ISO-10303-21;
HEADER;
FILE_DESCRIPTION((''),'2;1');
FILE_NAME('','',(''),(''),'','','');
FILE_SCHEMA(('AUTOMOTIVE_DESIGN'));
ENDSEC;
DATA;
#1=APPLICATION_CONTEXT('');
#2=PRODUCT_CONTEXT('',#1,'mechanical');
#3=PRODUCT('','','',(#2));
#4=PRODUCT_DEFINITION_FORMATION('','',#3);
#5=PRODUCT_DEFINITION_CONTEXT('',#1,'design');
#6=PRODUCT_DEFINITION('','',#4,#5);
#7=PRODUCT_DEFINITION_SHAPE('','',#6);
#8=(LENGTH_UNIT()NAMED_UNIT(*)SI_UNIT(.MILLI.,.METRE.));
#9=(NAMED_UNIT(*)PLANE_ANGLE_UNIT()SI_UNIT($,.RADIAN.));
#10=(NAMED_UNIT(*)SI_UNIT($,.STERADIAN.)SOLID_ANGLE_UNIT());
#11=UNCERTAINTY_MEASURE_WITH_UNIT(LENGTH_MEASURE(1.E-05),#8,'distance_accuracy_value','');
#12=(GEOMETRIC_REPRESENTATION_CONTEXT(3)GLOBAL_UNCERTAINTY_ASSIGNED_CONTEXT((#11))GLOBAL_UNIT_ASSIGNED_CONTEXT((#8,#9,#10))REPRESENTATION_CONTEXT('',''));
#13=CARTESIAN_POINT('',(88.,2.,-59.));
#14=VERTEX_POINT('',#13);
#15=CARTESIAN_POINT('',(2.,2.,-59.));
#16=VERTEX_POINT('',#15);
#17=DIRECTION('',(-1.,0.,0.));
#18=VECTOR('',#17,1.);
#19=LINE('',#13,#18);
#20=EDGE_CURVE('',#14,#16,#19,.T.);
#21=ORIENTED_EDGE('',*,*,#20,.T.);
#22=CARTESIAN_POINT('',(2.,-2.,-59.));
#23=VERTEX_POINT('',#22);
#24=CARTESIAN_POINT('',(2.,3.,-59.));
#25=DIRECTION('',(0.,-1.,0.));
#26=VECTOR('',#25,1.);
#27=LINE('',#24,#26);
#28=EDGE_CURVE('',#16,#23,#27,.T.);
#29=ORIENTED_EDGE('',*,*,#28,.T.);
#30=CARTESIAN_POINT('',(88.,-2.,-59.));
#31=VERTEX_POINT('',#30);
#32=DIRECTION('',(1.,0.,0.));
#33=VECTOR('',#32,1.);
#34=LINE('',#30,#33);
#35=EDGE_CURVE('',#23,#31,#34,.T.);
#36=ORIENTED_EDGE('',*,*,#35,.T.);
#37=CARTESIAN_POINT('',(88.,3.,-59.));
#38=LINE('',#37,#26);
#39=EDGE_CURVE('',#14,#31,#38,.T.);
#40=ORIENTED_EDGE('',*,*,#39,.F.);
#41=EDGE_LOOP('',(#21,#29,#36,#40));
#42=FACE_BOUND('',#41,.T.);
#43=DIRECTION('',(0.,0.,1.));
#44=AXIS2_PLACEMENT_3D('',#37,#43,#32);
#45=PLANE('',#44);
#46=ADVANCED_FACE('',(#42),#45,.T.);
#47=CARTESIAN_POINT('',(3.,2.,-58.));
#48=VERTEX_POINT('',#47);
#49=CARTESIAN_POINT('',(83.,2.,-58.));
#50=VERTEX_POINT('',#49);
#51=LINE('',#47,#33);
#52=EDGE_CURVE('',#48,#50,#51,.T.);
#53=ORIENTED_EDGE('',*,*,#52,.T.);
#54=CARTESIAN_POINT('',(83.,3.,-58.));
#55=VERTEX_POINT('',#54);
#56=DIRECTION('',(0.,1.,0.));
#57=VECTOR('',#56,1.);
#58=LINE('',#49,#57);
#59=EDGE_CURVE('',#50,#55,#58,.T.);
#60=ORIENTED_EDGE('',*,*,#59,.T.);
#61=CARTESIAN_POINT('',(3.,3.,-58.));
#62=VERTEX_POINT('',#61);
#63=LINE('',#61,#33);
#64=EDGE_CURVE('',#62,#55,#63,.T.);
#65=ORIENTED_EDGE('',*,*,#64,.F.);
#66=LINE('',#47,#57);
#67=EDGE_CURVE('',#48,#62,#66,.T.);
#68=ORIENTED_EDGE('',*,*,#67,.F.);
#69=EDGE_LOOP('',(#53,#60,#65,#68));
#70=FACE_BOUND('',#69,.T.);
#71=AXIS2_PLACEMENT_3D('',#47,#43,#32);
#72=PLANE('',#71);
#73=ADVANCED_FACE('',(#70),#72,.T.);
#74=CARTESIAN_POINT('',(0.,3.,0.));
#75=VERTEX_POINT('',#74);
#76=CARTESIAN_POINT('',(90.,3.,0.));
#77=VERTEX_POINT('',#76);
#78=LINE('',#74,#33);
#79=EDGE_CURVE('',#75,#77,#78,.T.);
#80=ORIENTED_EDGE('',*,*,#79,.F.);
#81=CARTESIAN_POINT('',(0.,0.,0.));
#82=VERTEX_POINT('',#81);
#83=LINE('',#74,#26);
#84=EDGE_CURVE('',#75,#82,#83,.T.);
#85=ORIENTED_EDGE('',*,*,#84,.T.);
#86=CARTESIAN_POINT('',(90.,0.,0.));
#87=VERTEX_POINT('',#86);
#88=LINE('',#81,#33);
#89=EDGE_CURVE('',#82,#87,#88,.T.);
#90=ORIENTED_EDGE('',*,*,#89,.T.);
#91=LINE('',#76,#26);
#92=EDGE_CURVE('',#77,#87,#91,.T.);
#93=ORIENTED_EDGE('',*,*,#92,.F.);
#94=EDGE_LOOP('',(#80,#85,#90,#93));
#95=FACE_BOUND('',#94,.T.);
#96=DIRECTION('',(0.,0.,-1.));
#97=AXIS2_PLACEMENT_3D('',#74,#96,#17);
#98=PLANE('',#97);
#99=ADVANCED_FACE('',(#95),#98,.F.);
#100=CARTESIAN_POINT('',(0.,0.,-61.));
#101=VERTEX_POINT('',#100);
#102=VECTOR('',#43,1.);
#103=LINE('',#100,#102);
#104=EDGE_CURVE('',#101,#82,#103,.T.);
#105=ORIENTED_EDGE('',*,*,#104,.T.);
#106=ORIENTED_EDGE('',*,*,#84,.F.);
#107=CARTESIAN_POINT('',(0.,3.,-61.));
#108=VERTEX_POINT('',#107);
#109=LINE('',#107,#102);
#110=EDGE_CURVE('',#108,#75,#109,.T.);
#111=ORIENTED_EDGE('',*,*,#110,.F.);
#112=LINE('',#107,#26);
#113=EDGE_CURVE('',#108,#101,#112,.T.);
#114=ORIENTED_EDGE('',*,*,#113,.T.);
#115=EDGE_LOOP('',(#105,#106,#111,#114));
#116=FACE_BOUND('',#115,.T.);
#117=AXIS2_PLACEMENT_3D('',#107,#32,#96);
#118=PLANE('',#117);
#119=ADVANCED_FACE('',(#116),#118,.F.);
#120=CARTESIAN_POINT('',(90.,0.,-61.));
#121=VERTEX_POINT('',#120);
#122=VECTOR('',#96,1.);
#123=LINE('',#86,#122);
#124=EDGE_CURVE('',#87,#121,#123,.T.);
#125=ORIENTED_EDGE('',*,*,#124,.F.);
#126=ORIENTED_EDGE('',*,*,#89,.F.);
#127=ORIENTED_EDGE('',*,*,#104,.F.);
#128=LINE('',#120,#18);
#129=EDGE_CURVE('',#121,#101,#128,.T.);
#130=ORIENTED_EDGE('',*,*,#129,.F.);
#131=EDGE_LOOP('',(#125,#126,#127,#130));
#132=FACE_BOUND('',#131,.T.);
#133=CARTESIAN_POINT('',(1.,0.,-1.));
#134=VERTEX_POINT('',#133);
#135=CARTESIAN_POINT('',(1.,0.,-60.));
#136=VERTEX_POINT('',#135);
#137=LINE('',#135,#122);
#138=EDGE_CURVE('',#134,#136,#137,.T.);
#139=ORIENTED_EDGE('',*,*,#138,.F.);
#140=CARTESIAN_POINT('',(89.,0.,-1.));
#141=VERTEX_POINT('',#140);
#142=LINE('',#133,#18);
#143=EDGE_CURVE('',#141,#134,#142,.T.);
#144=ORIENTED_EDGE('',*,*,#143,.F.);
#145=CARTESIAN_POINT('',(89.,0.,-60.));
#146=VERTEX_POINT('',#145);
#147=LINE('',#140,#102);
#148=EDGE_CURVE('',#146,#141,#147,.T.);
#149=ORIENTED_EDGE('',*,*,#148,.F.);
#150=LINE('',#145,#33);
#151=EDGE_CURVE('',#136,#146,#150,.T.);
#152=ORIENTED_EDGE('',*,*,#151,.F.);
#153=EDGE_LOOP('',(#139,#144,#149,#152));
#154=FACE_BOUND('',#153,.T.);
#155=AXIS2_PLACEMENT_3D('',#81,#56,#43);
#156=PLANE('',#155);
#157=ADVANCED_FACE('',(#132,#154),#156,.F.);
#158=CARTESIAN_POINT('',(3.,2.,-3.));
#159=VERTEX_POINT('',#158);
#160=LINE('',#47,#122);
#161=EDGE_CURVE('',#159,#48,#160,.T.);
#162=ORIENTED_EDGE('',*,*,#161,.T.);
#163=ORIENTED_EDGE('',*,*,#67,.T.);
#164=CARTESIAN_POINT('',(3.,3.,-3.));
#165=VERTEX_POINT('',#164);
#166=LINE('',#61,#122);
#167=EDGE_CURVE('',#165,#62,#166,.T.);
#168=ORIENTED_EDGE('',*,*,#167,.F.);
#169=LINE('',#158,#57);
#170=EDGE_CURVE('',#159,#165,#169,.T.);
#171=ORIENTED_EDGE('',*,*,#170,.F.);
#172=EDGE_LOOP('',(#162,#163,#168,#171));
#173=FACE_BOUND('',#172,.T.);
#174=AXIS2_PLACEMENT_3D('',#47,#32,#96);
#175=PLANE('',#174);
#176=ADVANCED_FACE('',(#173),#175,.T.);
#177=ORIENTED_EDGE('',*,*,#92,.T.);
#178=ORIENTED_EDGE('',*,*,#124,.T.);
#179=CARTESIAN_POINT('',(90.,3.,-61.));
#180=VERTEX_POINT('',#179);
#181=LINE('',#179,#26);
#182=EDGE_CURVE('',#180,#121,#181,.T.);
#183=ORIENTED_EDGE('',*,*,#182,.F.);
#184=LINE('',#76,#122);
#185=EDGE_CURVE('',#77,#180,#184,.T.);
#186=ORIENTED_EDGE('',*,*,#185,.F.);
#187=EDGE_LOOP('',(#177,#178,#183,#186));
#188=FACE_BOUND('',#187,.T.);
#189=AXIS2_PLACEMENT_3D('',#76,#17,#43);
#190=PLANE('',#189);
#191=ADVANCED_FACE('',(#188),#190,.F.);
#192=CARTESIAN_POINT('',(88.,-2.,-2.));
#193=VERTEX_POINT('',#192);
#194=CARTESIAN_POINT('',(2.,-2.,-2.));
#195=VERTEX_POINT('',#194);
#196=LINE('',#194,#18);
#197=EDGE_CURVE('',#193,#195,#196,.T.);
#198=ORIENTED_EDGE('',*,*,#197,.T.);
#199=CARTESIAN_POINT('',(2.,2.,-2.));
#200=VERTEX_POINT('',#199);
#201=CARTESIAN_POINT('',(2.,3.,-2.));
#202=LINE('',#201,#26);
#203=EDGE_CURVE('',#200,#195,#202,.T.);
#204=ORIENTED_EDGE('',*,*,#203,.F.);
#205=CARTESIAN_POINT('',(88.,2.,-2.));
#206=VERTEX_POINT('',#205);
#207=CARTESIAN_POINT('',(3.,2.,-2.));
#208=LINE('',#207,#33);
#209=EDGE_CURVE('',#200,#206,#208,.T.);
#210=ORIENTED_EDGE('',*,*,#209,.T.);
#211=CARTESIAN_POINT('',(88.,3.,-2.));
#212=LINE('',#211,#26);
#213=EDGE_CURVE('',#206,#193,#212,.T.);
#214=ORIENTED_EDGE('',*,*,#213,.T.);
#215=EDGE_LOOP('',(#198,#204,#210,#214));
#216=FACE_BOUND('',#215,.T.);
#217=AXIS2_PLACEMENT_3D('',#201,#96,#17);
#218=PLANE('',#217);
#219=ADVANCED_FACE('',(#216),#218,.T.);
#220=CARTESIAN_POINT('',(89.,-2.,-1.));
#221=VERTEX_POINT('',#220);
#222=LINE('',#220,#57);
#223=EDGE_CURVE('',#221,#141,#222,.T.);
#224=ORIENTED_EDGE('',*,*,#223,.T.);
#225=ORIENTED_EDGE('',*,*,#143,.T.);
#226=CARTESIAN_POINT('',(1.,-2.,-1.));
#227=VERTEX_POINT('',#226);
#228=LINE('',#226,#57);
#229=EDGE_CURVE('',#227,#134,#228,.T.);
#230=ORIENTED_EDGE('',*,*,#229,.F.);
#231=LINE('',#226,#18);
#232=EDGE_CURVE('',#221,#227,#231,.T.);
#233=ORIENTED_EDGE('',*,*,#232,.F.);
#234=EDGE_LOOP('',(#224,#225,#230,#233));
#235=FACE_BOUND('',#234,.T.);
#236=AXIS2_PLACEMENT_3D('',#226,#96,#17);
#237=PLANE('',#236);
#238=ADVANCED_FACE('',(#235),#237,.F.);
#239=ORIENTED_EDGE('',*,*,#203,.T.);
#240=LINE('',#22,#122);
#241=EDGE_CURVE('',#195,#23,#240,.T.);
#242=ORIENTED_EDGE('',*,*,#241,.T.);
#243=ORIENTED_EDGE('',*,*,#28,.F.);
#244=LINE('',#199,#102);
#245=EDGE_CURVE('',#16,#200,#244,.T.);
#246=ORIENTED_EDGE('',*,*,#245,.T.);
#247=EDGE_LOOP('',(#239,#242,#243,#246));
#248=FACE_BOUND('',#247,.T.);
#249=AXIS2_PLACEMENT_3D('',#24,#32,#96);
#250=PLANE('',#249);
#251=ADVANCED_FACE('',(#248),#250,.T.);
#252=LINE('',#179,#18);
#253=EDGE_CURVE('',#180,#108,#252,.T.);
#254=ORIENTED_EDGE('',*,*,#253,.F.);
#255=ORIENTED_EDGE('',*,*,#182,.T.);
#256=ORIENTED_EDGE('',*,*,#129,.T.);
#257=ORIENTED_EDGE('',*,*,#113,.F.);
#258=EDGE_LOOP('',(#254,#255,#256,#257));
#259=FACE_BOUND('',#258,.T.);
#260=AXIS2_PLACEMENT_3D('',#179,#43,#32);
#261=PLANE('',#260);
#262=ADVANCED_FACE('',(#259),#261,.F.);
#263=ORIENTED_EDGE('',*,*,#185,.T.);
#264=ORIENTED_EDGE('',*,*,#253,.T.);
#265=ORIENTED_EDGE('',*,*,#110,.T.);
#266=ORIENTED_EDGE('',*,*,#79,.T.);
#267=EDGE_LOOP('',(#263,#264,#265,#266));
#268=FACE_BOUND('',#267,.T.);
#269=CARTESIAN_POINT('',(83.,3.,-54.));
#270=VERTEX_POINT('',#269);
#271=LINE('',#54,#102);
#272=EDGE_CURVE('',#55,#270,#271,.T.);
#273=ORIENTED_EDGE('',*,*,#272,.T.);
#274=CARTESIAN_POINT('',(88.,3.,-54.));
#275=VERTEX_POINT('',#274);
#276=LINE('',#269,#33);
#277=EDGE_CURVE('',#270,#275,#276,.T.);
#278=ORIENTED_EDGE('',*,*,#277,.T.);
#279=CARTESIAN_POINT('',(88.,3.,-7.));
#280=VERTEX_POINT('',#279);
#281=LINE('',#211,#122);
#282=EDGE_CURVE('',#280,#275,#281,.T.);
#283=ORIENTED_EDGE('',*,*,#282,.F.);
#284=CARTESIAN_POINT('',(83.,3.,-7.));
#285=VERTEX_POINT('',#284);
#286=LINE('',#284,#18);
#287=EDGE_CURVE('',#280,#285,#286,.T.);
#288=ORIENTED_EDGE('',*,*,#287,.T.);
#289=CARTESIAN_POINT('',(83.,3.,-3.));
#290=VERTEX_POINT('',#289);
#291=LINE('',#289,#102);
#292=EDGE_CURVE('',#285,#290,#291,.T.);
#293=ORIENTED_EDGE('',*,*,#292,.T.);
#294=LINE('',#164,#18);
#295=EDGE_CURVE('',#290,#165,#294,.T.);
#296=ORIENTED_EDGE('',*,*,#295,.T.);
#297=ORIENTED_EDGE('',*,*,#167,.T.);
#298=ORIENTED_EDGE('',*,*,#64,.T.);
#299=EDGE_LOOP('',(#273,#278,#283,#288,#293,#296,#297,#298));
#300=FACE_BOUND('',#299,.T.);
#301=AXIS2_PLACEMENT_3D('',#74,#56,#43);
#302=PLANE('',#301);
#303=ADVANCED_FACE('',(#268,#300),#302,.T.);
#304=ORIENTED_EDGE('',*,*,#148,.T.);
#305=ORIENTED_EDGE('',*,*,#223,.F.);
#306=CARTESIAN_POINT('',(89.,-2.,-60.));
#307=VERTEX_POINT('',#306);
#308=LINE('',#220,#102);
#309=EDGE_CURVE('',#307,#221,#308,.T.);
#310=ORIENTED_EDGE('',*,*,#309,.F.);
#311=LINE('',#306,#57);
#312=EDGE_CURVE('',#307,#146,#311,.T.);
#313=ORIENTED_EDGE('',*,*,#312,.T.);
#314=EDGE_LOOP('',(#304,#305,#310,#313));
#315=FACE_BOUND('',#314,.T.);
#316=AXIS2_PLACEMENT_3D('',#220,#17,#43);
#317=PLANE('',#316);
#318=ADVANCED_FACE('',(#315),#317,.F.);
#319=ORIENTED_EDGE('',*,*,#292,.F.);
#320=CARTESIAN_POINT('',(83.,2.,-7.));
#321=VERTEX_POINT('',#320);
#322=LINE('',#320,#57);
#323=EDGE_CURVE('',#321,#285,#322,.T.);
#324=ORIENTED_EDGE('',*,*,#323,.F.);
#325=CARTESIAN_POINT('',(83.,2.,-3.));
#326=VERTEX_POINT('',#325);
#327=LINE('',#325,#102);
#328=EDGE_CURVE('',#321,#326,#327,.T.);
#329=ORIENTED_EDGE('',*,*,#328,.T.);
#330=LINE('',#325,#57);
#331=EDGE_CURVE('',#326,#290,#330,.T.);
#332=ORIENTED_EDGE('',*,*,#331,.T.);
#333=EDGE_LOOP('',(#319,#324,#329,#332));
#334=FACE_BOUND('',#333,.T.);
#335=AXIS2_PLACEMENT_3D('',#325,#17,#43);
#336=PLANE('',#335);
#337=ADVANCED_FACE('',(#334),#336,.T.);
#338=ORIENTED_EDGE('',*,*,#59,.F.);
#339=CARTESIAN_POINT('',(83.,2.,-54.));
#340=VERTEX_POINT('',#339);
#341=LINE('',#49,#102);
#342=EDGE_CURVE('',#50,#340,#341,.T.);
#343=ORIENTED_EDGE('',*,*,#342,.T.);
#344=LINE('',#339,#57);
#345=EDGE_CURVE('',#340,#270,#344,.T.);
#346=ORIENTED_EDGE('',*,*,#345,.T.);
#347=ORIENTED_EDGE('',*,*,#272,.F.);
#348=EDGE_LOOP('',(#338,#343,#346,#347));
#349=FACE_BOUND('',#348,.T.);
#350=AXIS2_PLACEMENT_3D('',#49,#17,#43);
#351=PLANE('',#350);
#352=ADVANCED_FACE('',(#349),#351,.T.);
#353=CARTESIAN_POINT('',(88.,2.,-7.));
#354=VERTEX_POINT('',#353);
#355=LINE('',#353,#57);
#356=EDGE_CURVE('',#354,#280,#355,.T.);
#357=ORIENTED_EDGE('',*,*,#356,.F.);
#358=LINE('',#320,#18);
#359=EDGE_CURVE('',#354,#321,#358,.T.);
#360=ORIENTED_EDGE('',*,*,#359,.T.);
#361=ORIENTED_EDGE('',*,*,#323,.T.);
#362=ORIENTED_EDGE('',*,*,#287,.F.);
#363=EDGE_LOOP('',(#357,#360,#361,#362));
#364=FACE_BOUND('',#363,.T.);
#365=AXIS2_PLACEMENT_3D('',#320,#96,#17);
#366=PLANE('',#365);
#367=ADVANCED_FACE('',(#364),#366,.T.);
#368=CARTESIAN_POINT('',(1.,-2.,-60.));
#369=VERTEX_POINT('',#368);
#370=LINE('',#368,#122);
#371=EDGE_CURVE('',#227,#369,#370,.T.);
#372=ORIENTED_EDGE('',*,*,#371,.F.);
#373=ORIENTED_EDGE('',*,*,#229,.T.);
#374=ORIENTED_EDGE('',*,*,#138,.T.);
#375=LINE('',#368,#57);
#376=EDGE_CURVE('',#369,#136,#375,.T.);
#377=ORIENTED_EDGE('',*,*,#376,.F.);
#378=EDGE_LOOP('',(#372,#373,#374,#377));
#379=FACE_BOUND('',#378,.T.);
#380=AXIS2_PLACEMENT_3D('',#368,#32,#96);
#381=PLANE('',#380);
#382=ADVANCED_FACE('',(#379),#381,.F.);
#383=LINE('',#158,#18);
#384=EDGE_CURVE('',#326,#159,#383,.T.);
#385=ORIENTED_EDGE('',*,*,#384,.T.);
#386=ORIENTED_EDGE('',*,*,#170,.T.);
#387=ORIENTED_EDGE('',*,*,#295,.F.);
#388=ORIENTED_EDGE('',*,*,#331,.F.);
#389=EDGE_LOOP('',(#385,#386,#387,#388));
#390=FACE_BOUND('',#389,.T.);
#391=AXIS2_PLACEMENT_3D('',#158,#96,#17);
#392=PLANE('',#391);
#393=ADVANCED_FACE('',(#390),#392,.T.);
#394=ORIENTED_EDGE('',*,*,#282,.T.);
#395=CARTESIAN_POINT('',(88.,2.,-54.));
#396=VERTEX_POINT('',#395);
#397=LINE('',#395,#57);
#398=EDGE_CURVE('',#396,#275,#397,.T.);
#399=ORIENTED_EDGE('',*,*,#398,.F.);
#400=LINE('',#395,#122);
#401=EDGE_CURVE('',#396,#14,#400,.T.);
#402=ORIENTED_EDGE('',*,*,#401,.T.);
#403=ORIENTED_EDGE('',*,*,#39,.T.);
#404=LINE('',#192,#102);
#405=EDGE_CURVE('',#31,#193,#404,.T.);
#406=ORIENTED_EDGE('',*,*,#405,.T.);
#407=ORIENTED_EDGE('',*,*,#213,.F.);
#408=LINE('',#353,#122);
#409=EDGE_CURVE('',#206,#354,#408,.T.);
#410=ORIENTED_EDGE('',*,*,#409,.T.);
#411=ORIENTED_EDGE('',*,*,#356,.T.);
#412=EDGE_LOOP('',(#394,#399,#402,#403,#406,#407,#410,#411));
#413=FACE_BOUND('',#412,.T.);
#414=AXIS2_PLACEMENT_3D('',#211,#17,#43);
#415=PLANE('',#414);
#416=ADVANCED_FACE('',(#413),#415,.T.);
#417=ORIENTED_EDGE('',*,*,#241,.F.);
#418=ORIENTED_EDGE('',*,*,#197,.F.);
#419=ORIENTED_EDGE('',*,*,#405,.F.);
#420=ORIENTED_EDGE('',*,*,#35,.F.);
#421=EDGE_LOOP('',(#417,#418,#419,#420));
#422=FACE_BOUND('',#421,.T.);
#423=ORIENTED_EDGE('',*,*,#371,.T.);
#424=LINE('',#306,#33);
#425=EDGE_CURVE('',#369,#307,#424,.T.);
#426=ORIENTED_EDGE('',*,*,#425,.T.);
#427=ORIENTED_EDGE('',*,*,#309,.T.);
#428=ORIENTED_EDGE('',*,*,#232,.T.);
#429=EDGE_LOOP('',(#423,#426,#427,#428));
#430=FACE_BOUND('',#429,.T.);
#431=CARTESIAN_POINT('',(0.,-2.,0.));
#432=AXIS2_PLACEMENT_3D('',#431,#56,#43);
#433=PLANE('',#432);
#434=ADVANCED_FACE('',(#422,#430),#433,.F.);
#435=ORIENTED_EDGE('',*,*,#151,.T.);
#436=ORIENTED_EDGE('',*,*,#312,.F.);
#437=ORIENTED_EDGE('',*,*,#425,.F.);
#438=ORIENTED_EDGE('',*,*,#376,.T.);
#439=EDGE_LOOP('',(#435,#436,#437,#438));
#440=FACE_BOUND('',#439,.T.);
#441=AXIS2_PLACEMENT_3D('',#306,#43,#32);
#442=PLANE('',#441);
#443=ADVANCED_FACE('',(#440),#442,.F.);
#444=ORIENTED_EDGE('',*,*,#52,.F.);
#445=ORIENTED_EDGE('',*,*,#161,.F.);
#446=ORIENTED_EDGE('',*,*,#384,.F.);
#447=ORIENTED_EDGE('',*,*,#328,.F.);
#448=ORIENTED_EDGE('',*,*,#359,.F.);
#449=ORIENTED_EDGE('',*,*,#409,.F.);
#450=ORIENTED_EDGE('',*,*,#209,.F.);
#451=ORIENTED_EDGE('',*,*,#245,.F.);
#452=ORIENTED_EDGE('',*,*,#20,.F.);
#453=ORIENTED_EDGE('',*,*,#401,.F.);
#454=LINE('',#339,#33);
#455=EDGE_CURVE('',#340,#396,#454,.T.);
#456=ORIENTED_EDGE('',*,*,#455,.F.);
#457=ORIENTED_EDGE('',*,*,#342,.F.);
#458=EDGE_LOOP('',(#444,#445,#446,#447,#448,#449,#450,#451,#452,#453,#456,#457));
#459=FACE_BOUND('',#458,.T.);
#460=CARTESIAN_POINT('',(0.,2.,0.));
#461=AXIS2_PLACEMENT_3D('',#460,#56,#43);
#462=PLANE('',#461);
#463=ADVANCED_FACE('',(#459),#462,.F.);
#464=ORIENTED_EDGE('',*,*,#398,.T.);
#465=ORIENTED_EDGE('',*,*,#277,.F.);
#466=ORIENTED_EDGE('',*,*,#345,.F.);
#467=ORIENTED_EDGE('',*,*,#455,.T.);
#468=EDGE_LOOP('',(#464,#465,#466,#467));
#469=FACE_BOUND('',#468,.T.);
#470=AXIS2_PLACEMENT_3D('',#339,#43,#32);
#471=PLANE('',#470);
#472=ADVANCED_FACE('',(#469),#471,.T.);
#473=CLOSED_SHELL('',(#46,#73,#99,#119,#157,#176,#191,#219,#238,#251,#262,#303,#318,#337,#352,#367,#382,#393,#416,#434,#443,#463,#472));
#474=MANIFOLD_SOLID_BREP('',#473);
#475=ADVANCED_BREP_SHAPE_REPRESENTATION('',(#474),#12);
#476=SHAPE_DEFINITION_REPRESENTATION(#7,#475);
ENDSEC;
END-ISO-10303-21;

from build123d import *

# Parameters (mm, degrees)
SKETCH1_W           = 90
SKETCH1_H           = 61
SKETCH1_W_2         = 86
SKETCH1_H_2         = 57
BOSS_EXTRUDE1_DEPTH = 3
BOSS_EXTRUDE2_DEPTH = 1
SKETCH3_W           = 88
SKETCH3_H           = 59
SKETCH3_W_2         = 86
SKETCH3_H_2         = 57
BOSS_EXTRUDE3_DEPTH = 2


with BuildPart() as part:
    # Sketch1 → Boss-Extrude1 (new body)
    with BuildSketch(Plane(origin=(0, 0, 0), x_dir=(1, 0, 0), z_dir=(0, 1, 0))):
        with Locations((45, 30.5)):
            Rectangle(SKETCH1_W, SKETCH1_H)
        with Locations((45, 30.5)):
            Rectangle(SKETCH1_W_2, SKETCH1_H_2, mode=Mode.SUBTRACT)
    extrude(amount=BOSS_EXTRUDE1_DEPTH)

    # Sketch2 → Boss-Extrude2 (add)
    with BuildSketch(Plane(origin=(0, 3, 0), x_dir=(1, 0, 0), z_dir=(0, 1, 0))):
        Polygon((88, 59), (83, 59), (3, 59), (2, 59), (2, 2), (3, 2), (83, 2), (88, 2), (88, 7), (83, 7), (83, 3), (3, 3), (3, 58), (83, 58), (83, 54), (88, 54), align=None)
    extrude(amount=-BOSS_EXTRUDE2_DEPTH)

    # Sketch3 → Boss-Extrude3 (add)
    with BuildSketch(Plane.XZ):
        with Locations((45, -30.5)):
            Rectangle(SKETCH3_W, SKETCH3_H)
        with Locations((45, -30.5)):
            Rectangle(SKETCH3_W_2, SKETCH3_H_2, mode=Mode.SUBTRACT)
    extrude(amount=BOSS_EXTRUDE3_DEPTH)


solid = part.part
